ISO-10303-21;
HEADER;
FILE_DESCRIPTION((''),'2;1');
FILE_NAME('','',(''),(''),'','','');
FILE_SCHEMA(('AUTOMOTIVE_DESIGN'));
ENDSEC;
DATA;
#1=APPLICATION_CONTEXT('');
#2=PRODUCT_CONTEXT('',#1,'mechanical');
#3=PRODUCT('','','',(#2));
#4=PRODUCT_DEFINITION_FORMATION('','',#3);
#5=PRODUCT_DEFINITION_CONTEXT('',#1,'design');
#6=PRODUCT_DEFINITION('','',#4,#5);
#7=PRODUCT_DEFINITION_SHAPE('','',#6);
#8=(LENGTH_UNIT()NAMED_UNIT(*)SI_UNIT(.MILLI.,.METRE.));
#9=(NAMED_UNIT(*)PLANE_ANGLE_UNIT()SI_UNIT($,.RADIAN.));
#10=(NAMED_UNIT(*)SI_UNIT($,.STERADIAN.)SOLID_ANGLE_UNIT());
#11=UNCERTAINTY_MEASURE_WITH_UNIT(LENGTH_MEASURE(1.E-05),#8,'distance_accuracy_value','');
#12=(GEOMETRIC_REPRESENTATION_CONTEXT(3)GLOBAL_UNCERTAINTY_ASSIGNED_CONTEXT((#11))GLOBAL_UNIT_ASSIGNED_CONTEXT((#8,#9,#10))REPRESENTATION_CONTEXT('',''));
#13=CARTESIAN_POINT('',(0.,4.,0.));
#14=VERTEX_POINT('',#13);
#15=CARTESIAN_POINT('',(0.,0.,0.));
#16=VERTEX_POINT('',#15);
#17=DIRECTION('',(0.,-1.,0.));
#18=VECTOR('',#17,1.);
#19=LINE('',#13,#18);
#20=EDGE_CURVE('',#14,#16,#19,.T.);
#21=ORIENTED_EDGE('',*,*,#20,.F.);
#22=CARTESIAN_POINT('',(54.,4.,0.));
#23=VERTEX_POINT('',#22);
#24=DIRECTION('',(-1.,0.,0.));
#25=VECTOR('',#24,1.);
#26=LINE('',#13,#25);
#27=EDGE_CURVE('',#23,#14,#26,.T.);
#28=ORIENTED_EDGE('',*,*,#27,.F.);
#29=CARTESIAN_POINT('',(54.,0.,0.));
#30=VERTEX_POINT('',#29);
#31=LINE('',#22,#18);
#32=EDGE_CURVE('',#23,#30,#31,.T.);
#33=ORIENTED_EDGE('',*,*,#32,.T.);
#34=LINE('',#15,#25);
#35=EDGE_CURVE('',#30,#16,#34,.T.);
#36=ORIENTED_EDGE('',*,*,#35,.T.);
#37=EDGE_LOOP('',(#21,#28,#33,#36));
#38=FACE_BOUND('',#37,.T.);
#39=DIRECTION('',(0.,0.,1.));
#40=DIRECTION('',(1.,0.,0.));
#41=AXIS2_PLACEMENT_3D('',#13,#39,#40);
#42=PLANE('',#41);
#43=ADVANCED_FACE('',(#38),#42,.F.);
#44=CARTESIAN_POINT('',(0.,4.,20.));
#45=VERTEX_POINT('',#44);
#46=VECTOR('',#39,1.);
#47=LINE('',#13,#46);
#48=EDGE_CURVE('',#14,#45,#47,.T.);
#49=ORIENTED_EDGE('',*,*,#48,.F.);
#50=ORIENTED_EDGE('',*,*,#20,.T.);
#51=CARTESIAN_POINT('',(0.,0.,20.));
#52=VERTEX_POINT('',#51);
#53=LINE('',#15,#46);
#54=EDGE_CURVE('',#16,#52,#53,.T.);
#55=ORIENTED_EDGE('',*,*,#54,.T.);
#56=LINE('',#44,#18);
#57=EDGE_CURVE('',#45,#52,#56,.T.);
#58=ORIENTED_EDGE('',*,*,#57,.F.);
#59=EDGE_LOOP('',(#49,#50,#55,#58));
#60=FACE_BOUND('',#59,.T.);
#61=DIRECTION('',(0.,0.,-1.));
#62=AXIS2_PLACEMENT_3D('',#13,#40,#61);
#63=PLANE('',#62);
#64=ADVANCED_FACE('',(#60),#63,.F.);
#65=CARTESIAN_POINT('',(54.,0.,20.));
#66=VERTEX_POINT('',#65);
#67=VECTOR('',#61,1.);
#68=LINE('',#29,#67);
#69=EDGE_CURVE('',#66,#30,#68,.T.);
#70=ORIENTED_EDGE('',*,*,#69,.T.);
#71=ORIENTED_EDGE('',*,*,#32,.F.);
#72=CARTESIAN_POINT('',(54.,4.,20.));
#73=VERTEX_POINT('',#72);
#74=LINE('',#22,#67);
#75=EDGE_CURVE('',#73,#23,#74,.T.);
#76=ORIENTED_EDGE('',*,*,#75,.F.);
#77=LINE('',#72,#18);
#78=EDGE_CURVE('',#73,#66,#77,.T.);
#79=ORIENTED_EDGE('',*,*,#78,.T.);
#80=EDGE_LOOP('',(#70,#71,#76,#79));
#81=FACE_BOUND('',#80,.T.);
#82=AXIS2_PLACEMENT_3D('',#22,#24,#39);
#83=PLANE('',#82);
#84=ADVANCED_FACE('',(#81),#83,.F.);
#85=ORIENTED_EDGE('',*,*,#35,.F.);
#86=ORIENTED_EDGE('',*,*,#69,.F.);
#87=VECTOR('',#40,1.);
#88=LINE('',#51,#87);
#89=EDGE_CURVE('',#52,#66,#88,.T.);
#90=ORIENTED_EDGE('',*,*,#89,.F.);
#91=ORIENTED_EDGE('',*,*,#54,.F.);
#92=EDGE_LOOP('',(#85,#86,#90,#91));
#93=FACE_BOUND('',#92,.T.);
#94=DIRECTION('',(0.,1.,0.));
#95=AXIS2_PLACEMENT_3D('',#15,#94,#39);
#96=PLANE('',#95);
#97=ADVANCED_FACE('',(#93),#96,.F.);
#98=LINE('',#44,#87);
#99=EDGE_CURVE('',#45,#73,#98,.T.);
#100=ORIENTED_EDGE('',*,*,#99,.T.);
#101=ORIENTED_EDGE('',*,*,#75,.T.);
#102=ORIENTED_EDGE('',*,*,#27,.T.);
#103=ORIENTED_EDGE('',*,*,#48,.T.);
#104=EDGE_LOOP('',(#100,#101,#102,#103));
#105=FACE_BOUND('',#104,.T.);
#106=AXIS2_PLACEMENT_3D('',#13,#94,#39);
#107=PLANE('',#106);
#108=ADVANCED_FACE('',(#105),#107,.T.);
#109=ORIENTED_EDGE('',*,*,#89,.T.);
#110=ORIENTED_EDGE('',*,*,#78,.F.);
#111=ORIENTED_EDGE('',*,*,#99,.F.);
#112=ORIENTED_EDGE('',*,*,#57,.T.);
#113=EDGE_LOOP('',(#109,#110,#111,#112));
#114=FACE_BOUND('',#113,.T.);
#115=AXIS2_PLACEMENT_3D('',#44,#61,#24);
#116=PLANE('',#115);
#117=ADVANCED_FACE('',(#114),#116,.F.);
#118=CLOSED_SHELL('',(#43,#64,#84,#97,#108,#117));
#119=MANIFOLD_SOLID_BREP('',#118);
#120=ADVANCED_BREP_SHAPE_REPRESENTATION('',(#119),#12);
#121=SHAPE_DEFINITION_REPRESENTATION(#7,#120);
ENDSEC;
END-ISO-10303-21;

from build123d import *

# Parameters (mm, degrees)
SKETCH_2_W      = 54
SKETCH_2_H      = 20
EXTRUDE_1_DEPTH = 4


with BuildPart() as part:
    # 草图2 → 凸台-拉伸1 (new body)
    with BuildSketch(Plane(origin=(0, 0, 0), x_dir=(1, 0, 0), z_dir=(0, 1, 0))):
        with Locations((27, -10)):
            Rectangle(SKETCH_2_W, SKETCH_2_H)
    extrude(amount=EXTRUDE_1_DEPTH)


solid = part.part
